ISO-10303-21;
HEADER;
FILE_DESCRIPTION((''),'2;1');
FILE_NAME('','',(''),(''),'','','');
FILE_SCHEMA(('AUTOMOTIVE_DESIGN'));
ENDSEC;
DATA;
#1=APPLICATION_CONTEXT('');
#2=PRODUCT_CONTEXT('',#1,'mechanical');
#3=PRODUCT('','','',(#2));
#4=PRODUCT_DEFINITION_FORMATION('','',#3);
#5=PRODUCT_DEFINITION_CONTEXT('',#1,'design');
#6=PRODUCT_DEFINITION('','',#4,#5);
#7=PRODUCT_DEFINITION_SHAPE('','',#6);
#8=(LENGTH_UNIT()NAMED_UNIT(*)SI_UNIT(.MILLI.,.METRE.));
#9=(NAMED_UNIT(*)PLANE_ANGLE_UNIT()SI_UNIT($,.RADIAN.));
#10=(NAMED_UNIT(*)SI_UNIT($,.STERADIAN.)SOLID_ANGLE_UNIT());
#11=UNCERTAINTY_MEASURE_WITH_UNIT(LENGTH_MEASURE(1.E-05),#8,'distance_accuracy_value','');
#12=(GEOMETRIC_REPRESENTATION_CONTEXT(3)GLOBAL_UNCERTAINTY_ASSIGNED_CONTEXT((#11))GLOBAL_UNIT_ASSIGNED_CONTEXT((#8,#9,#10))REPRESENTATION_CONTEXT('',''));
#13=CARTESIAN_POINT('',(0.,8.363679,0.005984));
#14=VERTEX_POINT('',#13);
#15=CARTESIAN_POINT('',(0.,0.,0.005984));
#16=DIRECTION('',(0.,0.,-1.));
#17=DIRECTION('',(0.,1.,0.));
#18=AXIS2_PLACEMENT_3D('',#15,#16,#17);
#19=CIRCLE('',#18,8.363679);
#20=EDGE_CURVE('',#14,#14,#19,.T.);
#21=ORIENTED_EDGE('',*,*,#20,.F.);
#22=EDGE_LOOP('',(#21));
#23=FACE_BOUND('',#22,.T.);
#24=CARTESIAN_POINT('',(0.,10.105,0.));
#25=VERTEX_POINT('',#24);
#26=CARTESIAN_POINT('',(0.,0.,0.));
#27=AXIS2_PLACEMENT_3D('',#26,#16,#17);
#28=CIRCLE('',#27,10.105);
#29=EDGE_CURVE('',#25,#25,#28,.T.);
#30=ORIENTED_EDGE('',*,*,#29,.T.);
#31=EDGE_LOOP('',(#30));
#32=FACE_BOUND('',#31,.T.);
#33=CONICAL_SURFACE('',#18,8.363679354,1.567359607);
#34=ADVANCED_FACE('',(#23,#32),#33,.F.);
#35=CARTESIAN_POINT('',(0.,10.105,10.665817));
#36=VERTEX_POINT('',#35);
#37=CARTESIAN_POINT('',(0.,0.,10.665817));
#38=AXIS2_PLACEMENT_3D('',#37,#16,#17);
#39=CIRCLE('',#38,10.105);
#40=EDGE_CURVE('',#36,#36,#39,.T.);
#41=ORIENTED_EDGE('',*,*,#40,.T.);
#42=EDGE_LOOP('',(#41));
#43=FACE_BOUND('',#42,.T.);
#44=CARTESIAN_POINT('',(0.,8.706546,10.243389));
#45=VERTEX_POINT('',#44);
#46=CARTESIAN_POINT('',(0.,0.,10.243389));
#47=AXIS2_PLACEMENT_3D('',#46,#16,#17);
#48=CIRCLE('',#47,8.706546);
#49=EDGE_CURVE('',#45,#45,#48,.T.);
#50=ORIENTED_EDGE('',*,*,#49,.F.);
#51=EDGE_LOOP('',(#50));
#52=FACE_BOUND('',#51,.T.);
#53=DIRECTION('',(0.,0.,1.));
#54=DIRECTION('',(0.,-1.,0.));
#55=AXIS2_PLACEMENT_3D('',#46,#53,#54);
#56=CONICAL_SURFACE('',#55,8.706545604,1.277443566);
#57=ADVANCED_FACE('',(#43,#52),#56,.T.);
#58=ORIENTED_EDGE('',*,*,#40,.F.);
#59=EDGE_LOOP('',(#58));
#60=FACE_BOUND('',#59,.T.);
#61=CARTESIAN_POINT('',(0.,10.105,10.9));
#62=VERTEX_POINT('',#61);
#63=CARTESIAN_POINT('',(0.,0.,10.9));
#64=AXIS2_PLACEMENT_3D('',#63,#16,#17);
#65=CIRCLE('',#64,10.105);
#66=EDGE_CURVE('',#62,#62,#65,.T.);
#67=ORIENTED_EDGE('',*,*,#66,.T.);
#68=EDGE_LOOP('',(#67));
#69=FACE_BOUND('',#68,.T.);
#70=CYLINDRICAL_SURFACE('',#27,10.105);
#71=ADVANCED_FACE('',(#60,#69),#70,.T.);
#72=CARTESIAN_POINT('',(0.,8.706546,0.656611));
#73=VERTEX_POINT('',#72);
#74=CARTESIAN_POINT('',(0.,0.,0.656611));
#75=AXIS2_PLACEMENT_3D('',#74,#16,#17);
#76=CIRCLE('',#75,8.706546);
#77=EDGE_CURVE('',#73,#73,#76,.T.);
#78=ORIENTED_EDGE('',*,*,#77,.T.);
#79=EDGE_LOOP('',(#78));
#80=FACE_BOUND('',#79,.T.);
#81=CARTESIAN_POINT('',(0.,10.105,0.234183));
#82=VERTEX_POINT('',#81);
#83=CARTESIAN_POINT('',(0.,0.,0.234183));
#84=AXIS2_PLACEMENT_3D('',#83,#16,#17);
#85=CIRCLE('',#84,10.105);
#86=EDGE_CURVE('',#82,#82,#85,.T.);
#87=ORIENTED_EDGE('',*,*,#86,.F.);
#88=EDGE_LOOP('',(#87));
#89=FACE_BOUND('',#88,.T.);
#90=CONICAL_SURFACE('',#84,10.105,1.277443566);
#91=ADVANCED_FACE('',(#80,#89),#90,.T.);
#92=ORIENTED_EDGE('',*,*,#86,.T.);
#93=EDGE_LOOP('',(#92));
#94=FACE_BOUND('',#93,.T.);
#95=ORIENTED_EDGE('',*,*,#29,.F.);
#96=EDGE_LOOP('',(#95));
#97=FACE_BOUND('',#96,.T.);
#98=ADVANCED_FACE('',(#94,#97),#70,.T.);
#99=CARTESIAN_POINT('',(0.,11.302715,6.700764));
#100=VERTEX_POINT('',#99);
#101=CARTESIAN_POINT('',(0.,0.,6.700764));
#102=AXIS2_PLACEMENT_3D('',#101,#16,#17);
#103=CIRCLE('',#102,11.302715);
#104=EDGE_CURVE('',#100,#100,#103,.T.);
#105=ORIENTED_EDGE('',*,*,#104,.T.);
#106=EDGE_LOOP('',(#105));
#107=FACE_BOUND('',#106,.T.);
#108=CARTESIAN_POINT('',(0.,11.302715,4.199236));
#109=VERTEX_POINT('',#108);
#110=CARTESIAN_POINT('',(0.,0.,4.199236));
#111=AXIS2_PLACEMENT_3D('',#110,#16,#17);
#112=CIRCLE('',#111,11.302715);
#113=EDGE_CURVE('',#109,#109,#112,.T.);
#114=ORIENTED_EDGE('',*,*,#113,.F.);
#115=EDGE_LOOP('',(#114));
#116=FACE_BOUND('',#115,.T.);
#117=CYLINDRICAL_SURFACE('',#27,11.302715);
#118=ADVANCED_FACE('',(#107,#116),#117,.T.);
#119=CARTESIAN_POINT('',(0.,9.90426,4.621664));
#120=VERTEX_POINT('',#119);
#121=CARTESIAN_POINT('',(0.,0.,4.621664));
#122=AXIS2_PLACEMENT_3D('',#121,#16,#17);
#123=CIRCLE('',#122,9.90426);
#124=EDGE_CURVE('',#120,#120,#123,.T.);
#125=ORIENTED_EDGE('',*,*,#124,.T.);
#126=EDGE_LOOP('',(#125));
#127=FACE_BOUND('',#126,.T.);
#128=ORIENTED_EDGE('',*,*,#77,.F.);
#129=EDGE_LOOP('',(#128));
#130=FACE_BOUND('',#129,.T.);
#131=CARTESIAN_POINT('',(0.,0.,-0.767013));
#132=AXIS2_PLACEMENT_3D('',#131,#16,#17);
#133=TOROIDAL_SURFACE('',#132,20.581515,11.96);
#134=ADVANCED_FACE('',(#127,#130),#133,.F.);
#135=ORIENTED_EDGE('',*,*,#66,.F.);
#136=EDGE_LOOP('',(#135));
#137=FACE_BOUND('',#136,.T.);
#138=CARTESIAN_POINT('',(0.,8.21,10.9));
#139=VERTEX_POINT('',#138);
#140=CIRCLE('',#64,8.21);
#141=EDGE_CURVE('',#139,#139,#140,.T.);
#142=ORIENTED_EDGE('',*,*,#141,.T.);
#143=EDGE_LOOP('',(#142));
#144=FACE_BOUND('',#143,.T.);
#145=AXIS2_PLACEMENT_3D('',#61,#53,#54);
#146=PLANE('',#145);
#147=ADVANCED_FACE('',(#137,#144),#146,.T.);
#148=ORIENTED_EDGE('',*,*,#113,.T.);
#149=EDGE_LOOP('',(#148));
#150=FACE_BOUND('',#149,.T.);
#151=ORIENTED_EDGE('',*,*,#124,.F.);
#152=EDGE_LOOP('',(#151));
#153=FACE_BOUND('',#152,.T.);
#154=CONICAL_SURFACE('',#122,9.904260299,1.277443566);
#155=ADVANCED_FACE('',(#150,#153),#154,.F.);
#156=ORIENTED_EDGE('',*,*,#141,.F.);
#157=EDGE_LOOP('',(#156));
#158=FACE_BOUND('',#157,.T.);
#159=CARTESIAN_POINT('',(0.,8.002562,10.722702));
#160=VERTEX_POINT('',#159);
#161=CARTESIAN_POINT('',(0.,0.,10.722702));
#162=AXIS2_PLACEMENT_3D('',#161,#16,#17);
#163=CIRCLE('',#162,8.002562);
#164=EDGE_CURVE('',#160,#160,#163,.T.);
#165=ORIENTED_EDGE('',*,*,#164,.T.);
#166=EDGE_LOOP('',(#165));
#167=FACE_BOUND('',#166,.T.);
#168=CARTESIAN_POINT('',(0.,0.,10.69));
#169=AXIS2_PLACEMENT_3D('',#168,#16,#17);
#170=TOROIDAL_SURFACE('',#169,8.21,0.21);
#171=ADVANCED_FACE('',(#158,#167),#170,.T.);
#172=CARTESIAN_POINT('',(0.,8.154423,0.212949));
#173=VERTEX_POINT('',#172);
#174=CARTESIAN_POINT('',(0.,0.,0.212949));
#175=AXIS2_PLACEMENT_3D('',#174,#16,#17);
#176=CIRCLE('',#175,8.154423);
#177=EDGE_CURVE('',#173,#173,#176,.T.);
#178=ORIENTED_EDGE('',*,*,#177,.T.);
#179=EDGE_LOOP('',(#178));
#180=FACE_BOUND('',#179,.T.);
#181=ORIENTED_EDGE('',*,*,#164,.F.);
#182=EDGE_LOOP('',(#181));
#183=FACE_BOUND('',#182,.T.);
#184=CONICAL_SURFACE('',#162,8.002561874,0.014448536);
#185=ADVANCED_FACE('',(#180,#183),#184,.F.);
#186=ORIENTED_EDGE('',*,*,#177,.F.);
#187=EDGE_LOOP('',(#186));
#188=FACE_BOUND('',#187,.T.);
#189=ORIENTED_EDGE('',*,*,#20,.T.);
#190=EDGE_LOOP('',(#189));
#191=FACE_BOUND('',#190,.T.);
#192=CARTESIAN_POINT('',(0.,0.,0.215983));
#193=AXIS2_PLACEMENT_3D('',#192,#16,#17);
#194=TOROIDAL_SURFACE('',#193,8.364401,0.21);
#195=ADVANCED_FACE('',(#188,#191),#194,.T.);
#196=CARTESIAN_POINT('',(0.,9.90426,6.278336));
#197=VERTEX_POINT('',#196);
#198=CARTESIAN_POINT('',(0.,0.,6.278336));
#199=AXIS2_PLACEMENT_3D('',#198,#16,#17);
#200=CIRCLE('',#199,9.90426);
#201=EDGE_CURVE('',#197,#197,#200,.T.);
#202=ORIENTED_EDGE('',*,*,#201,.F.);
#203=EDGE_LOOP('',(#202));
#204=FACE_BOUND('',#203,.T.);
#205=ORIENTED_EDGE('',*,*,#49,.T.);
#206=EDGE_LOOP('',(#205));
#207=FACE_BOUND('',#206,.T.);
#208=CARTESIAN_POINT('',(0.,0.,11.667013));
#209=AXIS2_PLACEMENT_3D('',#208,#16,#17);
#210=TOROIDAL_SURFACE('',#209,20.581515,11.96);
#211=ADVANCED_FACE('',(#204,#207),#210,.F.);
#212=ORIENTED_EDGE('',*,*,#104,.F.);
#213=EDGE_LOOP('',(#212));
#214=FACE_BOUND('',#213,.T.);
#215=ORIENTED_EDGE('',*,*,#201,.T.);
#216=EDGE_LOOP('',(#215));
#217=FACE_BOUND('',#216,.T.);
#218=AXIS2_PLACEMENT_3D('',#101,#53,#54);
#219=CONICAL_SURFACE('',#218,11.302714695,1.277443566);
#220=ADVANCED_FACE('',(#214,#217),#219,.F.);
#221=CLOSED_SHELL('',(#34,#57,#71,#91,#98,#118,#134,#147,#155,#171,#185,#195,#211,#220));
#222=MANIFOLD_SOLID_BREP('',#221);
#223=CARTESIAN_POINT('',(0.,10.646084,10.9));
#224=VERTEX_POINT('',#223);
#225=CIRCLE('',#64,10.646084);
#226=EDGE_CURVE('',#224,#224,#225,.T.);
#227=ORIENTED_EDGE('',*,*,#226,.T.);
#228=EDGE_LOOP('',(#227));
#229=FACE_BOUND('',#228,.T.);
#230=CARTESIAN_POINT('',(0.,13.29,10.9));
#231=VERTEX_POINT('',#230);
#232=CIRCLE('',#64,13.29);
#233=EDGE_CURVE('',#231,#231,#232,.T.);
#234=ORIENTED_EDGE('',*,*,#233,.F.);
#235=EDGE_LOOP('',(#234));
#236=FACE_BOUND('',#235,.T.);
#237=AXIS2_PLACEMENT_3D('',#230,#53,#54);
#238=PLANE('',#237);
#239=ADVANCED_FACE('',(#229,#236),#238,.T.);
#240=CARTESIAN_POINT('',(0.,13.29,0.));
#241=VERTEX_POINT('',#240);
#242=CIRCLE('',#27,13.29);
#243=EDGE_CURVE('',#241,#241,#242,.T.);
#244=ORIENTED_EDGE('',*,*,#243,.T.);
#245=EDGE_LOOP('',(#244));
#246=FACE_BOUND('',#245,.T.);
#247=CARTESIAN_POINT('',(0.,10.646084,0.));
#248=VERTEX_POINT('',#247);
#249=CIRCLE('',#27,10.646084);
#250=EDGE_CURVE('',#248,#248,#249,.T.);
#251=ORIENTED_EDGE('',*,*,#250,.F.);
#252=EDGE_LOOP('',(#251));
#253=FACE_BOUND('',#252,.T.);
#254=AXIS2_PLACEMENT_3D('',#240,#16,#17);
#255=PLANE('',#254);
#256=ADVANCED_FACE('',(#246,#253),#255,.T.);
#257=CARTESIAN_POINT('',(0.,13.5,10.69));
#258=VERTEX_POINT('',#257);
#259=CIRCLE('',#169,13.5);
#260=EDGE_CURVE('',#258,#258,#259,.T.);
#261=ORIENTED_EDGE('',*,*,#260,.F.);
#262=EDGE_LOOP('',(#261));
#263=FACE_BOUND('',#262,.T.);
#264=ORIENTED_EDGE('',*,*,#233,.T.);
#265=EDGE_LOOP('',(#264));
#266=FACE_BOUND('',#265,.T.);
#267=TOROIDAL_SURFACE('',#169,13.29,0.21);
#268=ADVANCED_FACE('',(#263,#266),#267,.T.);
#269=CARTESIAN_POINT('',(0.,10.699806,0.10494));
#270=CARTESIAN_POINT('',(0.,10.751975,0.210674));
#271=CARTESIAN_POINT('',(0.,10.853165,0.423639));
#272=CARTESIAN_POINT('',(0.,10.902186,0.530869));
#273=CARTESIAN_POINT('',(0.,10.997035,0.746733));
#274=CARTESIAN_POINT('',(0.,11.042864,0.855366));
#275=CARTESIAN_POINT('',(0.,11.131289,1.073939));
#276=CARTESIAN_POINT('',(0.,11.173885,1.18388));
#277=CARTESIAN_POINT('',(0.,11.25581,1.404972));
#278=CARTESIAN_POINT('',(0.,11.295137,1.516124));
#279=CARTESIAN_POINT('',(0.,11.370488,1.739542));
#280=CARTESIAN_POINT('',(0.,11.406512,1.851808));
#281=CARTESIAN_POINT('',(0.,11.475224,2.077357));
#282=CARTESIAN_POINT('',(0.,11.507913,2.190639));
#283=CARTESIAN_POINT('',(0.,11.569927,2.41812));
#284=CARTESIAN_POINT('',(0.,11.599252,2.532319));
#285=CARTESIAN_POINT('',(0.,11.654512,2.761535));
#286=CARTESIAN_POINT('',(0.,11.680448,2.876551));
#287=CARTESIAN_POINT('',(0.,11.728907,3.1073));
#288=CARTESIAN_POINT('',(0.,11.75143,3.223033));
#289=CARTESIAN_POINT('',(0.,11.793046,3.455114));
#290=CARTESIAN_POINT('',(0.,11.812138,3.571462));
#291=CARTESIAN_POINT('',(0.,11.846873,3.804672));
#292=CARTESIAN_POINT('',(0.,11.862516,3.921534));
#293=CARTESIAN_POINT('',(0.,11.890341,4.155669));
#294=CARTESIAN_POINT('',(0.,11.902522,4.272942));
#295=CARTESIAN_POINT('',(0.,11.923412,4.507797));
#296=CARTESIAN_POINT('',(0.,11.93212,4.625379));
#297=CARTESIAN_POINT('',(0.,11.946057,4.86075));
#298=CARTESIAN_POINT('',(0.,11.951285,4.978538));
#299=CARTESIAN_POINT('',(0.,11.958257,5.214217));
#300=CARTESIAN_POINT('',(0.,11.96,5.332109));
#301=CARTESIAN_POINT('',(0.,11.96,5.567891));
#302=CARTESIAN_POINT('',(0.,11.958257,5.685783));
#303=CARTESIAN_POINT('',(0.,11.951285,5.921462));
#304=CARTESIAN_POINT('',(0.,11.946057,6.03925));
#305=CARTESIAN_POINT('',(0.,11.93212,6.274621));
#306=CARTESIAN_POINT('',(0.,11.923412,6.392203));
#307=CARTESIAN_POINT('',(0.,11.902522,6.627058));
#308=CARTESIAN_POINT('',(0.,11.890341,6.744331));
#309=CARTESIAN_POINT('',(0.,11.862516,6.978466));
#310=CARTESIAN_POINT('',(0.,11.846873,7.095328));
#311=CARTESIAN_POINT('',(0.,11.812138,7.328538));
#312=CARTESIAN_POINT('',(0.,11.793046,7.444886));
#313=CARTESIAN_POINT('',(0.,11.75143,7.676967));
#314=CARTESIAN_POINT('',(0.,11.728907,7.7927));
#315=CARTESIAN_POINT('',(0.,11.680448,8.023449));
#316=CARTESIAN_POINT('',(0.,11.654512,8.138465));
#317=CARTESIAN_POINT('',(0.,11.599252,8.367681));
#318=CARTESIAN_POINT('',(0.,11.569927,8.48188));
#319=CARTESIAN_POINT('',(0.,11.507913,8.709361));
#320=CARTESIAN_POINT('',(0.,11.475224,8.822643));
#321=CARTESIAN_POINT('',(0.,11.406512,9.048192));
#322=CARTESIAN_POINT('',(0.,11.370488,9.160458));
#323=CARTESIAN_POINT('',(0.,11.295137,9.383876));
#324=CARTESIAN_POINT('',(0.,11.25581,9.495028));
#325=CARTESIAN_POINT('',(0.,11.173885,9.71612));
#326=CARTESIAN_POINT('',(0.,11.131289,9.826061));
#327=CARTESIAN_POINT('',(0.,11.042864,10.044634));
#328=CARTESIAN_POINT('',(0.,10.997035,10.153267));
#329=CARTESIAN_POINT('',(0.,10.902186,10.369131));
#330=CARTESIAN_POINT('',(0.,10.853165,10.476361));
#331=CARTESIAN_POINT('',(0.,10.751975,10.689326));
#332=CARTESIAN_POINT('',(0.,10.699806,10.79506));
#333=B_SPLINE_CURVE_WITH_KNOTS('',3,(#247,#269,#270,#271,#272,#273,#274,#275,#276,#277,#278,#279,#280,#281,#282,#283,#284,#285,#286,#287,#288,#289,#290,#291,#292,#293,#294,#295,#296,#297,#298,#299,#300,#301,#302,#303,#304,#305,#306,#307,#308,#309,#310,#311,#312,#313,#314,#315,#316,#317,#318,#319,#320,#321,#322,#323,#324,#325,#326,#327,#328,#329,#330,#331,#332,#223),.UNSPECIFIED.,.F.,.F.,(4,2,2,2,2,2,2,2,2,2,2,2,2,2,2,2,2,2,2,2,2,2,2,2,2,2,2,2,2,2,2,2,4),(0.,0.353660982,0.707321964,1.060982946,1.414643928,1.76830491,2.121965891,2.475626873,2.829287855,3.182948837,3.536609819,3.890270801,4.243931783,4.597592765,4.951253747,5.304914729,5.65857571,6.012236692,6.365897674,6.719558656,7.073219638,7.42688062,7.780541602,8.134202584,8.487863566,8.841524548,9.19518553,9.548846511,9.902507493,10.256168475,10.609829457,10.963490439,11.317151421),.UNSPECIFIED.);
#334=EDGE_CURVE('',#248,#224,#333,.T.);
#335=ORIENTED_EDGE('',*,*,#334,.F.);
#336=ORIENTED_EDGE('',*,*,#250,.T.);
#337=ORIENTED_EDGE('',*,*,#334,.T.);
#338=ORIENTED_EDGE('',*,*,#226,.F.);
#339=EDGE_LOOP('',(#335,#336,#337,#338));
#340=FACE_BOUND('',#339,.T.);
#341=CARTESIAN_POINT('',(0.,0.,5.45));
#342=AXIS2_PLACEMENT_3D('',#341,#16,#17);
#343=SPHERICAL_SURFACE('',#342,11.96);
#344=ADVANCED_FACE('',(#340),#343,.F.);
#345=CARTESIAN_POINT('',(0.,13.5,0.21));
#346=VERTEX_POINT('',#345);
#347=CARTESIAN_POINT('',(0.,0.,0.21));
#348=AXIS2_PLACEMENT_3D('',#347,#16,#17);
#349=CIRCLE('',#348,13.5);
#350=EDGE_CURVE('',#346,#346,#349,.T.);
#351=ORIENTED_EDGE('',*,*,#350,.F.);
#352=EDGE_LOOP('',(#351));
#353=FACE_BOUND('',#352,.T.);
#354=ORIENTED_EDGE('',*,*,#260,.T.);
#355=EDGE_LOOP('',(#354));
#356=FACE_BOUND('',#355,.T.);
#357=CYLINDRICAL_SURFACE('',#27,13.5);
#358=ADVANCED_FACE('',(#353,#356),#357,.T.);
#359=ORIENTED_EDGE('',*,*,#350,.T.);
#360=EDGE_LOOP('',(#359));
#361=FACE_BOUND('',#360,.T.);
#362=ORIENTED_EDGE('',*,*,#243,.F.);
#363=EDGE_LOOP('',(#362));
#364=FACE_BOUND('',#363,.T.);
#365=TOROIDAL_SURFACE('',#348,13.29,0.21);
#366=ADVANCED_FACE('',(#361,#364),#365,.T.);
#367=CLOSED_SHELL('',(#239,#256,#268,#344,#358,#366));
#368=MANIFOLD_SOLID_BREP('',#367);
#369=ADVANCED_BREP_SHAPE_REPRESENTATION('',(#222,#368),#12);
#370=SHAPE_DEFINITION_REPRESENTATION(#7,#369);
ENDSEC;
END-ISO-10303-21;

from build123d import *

# Parameters (mm, degrees)
SCALE1_SCALE = 0.1


with BuildPart() as part:
    # Sketch1 → Revolve1 (revolve)
    with BuildSketch(Plane(origin=(0, 0, 0), x_dir=(0, 0, -1), z_dir=(1, 0, 0))):
        with BuildLine():
            Line((-109, 132.9), (-109, 106.46083787))
            ThreePointArc((-109, 106.46083787), (-54.5, 119.6), (0, 106.46083787))
            Line((0, 106.46083787), (0, 132.9))
            ThreePointArc((0, 132.9), (-0.61507576, 134.38492424), (-2.1, 135))
            Line((-2.1, 135), (-106.9, 135))
            ThreePointArc((-106.9, 135), (-108.38492424, 134.38492424), (-109, 132.9))
        make_face()
        with BuildLine():
            Line((-107.227020476, 80.025618741), (-2.129491279, 81.544229828))
            ThreePointArc((-2.129491279, 81.544229828), (-0.666754601, 82.167284715), (-0.05984455, 83.636793536))
            Line((-0.05984455, 83.636793536), (0, 101.05))
            Line((0, 101.05), (-2.341831697, 101.05))
            Line((-2.341831697, 101.05), (-6.566111867, 87.065456039))
            ThreePointArc((-6.566111867, 87.065456039), (-26.913814114, 91.324489313), (-46.216639617, 99.042602992))
            Line((-46.216639617, 99.042602992), (-41.992359447, 113.027146954))
            Line((-41.992359447, 113.027146954), (-67.007640553, 113.027146954))
            Line((-67.007640553, 113.027146954), (-62.783360383, 99.042602992))
            ThreePointArc((-62.783360383, 99.042602992), (-82.086185886, 91.324489313), (-102.433888133, 87.065456039))
            Line((-102.433888133, 87.065456039), (-106.658168303, 101.05))
            Line((-106.658168303, 101.05), (-109, 101.05))
            Line((-109, 101.05), (-109, 82.1))
            ThreePointArc((-109, 82.1), (-108.496361958, 80.735584924), (-107.227020476, 80.025618741))
        make_face()
    revolve(axis=Axis((0, 0, 0), (0, 0, 1)))


with BuildPart() as part_1:
    # Scale1: scaled about (0, 0, 0)
    add(part.part.scale(SCALE1_SCALE))


solid = part_1.part
